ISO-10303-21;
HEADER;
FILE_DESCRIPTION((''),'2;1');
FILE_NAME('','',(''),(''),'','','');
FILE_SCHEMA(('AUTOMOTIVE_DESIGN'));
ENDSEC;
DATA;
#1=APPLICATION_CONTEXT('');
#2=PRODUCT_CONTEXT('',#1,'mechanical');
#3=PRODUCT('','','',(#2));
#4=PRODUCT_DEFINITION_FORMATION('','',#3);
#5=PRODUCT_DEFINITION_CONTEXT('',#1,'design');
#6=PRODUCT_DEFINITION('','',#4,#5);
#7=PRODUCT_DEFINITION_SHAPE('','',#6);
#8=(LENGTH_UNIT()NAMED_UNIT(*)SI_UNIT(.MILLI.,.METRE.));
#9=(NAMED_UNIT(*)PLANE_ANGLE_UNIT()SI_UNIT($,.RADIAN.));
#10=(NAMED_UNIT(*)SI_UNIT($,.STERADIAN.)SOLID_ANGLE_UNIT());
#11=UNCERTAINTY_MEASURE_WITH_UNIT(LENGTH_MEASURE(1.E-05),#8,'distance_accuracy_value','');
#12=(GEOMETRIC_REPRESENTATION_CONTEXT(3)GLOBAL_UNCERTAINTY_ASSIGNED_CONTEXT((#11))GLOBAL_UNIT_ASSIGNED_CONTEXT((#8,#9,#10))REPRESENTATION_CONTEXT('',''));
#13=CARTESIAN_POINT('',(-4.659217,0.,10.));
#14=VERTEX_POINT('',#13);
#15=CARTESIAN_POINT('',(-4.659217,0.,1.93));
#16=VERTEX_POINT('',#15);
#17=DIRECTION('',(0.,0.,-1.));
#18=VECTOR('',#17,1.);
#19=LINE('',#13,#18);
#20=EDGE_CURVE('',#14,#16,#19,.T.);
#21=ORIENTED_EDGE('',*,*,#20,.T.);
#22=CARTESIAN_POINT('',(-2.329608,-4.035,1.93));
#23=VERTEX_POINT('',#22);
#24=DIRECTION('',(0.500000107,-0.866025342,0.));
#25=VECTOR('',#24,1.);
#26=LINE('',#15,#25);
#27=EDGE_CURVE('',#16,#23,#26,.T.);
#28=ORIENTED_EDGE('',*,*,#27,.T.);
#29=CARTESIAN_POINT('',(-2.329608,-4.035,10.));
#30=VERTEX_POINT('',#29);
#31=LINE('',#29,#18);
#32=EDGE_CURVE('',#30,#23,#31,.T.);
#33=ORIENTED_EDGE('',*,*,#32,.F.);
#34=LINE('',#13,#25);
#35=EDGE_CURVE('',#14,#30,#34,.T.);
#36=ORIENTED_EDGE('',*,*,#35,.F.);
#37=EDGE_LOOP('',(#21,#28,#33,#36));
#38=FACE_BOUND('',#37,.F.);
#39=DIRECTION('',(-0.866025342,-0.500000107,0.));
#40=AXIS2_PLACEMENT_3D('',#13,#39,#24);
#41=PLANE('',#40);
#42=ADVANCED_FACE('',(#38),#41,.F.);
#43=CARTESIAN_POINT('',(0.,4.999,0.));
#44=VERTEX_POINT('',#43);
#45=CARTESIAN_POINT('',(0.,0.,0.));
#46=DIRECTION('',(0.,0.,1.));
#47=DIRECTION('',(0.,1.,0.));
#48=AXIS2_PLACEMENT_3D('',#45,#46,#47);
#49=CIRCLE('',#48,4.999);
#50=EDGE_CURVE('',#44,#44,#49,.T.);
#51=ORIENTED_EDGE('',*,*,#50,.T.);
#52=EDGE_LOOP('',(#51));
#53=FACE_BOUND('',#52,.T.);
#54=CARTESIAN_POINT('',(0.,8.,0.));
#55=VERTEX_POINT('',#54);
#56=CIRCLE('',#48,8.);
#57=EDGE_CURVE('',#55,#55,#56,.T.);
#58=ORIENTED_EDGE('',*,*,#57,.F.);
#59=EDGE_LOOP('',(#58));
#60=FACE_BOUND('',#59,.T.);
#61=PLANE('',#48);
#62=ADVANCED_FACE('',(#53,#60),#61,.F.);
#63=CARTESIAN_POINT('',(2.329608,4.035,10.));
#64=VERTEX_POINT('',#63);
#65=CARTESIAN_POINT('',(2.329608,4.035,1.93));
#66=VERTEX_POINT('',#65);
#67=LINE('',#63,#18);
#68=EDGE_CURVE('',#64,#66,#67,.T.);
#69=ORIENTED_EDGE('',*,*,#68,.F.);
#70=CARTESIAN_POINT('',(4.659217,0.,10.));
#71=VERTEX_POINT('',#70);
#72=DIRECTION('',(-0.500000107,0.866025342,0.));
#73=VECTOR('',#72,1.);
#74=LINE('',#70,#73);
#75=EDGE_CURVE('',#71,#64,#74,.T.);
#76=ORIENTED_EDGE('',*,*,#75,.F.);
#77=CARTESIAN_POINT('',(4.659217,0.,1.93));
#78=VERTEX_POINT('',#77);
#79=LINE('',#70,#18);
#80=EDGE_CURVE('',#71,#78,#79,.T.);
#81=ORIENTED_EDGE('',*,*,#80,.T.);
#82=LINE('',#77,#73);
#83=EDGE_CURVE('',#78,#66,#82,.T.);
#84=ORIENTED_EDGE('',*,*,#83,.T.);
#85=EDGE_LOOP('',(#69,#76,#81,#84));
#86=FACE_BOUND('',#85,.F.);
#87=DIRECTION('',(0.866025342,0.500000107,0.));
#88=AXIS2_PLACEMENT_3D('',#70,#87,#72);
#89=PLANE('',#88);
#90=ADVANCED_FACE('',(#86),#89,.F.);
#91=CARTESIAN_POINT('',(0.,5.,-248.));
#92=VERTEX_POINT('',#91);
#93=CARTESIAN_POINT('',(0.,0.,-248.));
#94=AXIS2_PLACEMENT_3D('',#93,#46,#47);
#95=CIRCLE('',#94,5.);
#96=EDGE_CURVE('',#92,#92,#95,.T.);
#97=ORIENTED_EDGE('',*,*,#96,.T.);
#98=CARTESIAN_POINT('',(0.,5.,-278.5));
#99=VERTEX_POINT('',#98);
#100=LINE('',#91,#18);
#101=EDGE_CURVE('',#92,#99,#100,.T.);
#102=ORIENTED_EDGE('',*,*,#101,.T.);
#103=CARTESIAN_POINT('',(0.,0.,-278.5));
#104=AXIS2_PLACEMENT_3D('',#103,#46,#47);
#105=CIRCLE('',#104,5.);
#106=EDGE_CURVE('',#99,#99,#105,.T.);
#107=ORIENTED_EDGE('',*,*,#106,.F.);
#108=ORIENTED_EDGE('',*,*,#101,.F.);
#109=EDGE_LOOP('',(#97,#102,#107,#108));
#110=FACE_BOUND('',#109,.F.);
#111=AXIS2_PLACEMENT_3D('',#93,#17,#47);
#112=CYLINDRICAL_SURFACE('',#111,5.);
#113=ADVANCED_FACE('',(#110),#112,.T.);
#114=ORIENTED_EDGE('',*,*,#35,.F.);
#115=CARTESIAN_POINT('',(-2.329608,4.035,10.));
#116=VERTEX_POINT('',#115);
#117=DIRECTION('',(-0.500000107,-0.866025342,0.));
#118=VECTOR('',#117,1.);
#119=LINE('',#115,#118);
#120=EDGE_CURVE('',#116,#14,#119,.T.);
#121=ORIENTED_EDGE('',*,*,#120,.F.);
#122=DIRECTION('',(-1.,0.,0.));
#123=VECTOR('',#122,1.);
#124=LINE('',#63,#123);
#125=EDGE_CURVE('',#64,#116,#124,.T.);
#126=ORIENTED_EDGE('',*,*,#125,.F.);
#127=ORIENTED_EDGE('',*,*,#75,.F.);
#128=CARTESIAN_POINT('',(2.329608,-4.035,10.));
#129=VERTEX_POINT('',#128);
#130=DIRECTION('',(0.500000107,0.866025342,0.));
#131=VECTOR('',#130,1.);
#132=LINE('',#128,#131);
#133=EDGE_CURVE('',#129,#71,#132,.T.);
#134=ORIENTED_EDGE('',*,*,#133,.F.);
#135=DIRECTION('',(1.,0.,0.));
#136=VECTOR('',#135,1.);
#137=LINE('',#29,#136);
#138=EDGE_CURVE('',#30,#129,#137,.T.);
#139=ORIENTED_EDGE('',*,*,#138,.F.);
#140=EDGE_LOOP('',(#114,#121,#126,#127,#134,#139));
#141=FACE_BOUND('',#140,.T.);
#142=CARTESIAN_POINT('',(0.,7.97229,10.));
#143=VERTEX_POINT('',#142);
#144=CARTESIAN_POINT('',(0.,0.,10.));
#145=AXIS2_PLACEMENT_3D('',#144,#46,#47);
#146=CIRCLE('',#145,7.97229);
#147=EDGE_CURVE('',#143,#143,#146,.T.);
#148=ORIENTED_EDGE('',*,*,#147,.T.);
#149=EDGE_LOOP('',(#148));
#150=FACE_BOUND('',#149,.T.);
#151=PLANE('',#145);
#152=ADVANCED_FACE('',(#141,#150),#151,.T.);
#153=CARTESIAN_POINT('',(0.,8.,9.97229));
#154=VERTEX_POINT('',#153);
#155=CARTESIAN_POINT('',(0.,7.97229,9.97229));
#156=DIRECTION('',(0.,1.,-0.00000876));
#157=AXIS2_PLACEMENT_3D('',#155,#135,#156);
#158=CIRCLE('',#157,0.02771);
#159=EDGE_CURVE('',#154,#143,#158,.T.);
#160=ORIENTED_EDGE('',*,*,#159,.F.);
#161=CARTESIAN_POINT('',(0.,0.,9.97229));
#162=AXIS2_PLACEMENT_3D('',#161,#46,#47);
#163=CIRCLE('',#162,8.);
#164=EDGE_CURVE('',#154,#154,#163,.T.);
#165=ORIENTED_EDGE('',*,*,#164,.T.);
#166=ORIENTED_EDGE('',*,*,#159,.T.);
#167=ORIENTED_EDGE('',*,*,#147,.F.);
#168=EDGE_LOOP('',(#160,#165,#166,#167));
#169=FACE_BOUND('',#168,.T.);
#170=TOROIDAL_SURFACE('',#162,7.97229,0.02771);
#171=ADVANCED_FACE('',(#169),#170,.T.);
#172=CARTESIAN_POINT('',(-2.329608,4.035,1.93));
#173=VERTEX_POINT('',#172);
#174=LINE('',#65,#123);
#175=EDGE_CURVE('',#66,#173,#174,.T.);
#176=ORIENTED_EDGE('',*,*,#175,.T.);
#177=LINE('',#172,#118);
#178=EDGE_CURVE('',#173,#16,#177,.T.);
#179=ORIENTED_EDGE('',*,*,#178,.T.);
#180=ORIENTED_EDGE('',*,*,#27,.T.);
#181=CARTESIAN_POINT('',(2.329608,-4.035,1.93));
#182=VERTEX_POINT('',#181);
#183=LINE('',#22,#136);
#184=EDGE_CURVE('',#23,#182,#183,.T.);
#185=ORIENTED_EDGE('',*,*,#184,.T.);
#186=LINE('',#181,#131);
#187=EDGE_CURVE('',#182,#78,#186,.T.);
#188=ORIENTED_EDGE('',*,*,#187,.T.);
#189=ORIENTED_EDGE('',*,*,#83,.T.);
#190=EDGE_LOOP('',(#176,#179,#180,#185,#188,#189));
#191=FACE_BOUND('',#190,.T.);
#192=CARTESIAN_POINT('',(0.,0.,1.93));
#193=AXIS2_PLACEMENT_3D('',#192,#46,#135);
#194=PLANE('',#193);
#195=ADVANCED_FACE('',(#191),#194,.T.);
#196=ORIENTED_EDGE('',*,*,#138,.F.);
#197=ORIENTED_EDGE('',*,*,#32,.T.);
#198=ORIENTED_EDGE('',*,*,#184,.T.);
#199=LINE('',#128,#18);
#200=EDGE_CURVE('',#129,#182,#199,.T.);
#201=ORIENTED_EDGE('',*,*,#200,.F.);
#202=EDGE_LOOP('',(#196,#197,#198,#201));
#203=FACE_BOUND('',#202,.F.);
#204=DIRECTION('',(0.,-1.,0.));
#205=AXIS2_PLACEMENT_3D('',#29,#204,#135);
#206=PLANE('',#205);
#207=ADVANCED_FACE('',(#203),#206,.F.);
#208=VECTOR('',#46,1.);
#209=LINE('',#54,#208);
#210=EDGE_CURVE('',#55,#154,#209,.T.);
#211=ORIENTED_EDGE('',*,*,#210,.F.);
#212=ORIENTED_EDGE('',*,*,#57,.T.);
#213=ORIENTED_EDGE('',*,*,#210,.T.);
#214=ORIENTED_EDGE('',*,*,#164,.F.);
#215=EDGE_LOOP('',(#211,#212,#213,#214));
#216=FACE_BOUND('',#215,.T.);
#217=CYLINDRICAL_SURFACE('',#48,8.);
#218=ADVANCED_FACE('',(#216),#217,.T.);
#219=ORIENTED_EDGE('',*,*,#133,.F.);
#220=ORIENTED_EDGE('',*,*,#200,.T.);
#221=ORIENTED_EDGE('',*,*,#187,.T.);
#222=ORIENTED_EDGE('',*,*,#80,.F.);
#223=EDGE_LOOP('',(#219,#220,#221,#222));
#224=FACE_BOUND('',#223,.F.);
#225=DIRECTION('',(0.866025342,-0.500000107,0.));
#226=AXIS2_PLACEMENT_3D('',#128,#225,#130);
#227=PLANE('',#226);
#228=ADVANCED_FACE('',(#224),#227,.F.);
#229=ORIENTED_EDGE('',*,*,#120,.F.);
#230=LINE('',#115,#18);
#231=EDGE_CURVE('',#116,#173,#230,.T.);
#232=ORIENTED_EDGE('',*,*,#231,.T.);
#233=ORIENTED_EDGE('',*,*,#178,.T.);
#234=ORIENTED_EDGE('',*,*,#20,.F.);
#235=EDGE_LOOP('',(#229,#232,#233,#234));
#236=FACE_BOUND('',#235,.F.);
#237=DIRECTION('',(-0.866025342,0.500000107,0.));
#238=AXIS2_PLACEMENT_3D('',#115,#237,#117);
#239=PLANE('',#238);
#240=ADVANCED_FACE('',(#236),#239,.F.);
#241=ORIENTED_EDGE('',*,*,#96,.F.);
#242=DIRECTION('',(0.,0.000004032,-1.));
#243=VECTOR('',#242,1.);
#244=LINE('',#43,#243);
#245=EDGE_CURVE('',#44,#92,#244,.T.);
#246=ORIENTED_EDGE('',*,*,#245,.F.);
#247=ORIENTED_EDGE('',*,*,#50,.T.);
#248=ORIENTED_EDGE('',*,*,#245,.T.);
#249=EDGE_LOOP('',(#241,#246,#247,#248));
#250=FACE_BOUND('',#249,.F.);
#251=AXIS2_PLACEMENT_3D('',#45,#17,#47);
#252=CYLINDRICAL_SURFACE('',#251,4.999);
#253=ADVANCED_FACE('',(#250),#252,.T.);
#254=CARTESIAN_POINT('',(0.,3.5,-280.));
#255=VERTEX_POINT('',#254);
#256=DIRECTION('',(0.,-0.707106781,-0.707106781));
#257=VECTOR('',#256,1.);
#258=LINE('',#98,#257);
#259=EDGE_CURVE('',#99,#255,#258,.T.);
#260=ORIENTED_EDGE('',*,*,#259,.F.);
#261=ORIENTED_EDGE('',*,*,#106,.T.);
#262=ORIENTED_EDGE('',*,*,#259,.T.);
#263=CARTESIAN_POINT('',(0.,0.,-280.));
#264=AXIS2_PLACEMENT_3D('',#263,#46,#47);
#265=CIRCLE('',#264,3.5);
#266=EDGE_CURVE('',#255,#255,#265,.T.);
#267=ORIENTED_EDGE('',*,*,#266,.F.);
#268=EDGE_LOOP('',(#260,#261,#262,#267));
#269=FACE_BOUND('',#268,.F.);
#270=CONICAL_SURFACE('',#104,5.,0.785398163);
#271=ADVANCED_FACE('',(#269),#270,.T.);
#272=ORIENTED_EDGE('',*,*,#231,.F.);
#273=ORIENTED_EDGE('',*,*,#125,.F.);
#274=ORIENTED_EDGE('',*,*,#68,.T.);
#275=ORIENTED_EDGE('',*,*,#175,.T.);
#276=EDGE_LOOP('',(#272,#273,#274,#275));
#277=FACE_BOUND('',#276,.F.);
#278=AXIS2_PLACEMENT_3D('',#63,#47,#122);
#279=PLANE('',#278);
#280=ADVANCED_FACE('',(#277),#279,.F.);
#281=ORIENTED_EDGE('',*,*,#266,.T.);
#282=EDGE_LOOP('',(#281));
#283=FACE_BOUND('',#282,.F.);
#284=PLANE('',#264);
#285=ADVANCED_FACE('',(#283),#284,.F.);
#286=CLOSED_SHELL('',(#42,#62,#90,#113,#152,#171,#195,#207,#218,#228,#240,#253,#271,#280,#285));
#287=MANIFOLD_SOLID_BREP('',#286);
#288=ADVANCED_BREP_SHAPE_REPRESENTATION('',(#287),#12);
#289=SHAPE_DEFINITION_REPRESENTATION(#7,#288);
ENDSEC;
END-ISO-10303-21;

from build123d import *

# Parameters (mm, degrees)
POCKET_DEPTH = 8.07


with BuildPart() as part:
    # Sketch → Revolve (revolve)
    with BuildSketch(Plane.YZ):
        with BuildLine():
            Line((4.999, 0), (8, 0))
            Line((8, 0), (8, 9.97229))
            ThreePointArc((8, 9.97229), (7.991884, 9.991884), (7.97229, 10))
            Line((7.97229, 10), (0, 10))
            Line((0, -280), (0, 10))
            Line((3.5, -280), (0, -280))
            Line((5, -278.5), (3.5, -280))
            Line((5, -248), (5, -278.5))
            Line((4.999, 0), (5, -248))
        make_face()
    revolve(axis=Axis((0, 0, 0), (0, 0, 1)))

    # Sketch001 → Pocket (cut)
    with BuildSketch(Plane.XY.offset(10)):
        Polygon((4.659217, 0), (2.329608, 4.035), (-2.329608, 4.035), (-4.659217, 0), (-2.329608, -4.035), (2.329608, -4.035), align=None)
    extrude(amount=-POCKET_DEPTH, mode=Mode.SUBTRACT)


solid = part.part
